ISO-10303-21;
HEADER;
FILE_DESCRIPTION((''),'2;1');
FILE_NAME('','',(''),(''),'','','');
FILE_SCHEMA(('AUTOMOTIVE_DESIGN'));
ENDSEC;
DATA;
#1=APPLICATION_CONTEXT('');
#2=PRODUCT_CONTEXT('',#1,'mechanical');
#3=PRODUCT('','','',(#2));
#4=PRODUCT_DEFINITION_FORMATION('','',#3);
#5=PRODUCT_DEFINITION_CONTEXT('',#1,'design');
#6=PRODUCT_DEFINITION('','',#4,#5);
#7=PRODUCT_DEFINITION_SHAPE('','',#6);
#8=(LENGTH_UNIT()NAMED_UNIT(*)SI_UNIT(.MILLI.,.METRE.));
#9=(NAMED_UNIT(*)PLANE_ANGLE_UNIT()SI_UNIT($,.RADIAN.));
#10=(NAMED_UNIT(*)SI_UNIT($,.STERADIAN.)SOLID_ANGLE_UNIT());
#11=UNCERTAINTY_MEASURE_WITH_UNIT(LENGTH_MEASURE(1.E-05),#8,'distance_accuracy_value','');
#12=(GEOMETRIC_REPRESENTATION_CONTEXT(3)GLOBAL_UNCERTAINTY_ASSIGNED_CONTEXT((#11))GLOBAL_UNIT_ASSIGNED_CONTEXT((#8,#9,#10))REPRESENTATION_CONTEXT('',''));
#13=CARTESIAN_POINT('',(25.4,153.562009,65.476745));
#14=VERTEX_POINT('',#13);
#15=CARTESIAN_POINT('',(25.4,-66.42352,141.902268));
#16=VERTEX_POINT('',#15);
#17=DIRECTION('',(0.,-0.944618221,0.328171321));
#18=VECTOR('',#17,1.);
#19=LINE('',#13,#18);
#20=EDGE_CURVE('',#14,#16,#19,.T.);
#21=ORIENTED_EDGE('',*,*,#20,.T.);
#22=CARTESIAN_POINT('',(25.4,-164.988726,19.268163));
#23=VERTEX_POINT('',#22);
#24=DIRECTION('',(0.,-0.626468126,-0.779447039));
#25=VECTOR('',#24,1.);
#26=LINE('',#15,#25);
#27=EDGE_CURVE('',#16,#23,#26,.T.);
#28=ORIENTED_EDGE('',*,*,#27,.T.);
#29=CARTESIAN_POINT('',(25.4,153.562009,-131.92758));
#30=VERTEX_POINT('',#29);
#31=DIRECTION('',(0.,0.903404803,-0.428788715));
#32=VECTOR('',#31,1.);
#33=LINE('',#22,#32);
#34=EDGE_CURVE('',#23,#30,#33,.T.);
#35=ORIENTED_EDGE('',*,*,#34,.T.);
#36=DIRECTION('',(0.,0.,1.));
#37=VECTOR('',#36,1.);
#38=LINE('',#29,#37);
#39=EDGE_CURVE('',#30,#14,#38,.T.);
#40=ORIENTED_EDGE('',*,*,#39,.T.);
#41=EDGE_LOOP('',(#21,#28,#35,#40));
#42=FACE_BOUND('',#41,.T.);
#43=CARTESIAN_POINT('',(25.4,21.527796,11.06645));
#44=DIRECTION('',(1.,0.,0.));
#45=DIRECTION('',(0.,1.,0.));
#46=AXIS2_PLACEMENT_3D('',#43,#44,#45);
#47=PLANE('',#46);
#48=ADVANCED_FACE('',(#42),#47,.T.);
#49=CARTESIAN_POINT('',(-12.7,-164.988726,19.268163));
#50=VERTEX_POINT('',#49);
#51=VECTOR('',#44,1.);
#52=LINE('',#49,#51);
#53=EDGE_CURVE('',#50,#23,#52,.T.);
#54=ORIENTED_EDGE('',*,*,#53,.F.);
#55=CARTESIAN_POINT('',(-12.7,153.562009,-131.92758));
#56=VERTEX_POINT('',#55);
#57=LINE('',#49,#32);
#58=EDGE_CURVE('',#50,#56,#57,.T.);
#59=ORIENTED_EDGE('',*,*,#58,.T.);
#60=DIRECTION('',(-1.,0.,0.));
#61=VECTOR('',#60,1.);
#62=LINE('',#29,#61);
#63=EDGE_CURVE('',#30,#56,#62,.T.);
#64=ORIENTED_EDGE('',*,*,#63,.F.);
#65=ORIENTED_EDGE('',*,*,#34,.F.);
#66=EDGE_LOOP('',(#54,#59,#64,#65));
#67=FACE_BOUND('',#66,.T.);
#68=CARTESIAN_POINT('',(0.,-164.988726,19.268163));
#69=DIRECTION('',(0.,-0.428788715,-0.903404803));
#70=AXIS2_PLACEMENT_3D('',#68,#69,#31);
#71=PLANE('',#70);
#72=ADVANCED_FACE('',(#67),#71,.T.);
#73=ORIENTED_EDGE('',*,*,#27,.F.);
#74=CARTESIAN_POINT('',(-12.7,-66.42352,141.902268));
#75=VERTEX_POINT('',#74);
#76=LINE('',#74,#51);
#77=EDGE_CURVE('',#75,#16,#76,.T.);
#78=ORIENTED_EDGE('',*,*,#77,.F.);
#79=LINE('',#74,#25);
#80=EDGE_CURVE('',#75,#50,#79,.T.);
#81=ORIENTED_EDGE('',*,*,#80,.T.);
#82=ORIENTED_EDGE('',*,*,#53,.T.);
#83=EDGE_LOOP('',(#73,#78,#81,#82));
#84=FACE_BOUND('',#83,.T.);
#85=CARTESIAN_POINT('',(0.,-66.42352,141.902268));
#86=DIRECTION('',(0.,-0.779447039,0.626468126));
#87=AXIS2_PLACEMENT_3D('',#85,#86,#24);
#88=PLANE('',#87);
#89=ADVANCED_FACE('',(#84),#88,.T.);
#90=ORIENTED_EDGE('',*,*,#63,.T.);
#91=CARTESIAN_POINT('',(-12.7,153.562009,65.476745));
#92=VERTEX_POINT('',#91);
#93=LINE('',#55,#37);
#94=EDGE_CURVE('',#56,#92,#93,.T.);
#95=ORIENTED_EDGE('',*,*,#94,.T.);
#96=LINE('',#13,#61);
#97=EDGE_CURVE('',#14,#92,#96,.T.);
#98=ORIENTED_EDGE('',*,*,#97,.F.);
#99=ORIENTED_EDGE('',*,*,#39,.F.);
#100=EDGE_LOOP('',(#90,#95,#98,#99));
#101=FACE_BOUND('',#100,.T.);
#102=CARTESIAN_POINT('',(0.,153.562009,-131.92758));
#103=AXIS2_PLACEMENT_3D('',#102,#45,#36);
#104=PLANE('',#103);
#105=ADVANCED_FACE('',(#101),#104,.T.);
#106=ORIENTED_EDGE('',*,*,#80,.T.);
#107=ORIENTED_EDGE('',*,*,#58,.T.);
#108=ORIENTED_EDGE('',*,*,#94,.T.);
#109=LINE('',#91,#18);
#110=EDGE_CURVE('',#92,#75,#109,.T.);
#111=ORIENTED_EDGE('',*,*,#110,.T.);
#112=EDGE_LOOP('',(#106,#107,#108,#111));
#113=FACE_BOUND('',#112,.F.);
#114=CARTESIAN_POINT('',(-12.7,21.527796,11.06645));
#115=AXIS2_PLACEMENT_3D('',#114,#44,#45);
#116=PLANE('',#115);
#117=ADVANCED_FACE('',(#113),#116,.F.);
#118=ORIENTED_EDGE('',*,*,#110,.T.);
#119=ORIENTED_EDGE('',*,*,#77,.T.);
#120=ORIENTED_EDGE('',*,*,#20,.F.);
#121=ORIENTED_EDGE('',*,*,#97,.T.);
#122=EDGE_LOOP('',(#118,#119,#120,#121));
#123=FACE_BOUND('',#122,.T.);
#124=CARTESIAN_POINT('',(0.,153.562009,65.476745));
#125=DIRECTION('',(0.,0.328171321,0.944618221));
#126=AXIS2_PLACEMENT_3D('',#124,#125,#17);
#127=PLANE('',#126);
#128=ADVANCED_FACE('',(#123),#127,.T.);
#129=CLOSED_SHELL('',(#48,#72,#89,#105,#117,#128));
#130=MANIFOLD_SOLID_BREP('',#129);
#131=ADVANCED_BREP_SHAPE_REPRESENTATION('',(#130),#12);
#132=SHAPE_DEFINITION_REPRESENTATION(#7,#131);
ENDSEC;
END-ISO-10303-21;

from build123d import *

# Parameters (mm, degrees)
F1_DEPTH = 12.7
F3_DEPTH = 12.7


with BuildPart() as f1:
    # F0 (on Right) → F1 (new body, symmetric)
    with BuildSketch(Plane.YZ):
        Polygon((153.562009, 65.476745), (-66.42352, 141.902268), (-164.988726, 19.268163), (153.562009, -131.92758), align=None)
    extrude(amount=F1_DEPTH, both=True)

    # F2 (on face) → F3 (join, symmetric)
    with BuildSketch(Plane.YZ.offset(12.7)):
        Polygon((-66.42352, 141.902268), (-164.988726, 19.268163), (153.562009, -131.92758), (153.562009, 65.476745), align=None)
    extrude(amount=F3_DEPTH, both=True)


solid = f1.part
